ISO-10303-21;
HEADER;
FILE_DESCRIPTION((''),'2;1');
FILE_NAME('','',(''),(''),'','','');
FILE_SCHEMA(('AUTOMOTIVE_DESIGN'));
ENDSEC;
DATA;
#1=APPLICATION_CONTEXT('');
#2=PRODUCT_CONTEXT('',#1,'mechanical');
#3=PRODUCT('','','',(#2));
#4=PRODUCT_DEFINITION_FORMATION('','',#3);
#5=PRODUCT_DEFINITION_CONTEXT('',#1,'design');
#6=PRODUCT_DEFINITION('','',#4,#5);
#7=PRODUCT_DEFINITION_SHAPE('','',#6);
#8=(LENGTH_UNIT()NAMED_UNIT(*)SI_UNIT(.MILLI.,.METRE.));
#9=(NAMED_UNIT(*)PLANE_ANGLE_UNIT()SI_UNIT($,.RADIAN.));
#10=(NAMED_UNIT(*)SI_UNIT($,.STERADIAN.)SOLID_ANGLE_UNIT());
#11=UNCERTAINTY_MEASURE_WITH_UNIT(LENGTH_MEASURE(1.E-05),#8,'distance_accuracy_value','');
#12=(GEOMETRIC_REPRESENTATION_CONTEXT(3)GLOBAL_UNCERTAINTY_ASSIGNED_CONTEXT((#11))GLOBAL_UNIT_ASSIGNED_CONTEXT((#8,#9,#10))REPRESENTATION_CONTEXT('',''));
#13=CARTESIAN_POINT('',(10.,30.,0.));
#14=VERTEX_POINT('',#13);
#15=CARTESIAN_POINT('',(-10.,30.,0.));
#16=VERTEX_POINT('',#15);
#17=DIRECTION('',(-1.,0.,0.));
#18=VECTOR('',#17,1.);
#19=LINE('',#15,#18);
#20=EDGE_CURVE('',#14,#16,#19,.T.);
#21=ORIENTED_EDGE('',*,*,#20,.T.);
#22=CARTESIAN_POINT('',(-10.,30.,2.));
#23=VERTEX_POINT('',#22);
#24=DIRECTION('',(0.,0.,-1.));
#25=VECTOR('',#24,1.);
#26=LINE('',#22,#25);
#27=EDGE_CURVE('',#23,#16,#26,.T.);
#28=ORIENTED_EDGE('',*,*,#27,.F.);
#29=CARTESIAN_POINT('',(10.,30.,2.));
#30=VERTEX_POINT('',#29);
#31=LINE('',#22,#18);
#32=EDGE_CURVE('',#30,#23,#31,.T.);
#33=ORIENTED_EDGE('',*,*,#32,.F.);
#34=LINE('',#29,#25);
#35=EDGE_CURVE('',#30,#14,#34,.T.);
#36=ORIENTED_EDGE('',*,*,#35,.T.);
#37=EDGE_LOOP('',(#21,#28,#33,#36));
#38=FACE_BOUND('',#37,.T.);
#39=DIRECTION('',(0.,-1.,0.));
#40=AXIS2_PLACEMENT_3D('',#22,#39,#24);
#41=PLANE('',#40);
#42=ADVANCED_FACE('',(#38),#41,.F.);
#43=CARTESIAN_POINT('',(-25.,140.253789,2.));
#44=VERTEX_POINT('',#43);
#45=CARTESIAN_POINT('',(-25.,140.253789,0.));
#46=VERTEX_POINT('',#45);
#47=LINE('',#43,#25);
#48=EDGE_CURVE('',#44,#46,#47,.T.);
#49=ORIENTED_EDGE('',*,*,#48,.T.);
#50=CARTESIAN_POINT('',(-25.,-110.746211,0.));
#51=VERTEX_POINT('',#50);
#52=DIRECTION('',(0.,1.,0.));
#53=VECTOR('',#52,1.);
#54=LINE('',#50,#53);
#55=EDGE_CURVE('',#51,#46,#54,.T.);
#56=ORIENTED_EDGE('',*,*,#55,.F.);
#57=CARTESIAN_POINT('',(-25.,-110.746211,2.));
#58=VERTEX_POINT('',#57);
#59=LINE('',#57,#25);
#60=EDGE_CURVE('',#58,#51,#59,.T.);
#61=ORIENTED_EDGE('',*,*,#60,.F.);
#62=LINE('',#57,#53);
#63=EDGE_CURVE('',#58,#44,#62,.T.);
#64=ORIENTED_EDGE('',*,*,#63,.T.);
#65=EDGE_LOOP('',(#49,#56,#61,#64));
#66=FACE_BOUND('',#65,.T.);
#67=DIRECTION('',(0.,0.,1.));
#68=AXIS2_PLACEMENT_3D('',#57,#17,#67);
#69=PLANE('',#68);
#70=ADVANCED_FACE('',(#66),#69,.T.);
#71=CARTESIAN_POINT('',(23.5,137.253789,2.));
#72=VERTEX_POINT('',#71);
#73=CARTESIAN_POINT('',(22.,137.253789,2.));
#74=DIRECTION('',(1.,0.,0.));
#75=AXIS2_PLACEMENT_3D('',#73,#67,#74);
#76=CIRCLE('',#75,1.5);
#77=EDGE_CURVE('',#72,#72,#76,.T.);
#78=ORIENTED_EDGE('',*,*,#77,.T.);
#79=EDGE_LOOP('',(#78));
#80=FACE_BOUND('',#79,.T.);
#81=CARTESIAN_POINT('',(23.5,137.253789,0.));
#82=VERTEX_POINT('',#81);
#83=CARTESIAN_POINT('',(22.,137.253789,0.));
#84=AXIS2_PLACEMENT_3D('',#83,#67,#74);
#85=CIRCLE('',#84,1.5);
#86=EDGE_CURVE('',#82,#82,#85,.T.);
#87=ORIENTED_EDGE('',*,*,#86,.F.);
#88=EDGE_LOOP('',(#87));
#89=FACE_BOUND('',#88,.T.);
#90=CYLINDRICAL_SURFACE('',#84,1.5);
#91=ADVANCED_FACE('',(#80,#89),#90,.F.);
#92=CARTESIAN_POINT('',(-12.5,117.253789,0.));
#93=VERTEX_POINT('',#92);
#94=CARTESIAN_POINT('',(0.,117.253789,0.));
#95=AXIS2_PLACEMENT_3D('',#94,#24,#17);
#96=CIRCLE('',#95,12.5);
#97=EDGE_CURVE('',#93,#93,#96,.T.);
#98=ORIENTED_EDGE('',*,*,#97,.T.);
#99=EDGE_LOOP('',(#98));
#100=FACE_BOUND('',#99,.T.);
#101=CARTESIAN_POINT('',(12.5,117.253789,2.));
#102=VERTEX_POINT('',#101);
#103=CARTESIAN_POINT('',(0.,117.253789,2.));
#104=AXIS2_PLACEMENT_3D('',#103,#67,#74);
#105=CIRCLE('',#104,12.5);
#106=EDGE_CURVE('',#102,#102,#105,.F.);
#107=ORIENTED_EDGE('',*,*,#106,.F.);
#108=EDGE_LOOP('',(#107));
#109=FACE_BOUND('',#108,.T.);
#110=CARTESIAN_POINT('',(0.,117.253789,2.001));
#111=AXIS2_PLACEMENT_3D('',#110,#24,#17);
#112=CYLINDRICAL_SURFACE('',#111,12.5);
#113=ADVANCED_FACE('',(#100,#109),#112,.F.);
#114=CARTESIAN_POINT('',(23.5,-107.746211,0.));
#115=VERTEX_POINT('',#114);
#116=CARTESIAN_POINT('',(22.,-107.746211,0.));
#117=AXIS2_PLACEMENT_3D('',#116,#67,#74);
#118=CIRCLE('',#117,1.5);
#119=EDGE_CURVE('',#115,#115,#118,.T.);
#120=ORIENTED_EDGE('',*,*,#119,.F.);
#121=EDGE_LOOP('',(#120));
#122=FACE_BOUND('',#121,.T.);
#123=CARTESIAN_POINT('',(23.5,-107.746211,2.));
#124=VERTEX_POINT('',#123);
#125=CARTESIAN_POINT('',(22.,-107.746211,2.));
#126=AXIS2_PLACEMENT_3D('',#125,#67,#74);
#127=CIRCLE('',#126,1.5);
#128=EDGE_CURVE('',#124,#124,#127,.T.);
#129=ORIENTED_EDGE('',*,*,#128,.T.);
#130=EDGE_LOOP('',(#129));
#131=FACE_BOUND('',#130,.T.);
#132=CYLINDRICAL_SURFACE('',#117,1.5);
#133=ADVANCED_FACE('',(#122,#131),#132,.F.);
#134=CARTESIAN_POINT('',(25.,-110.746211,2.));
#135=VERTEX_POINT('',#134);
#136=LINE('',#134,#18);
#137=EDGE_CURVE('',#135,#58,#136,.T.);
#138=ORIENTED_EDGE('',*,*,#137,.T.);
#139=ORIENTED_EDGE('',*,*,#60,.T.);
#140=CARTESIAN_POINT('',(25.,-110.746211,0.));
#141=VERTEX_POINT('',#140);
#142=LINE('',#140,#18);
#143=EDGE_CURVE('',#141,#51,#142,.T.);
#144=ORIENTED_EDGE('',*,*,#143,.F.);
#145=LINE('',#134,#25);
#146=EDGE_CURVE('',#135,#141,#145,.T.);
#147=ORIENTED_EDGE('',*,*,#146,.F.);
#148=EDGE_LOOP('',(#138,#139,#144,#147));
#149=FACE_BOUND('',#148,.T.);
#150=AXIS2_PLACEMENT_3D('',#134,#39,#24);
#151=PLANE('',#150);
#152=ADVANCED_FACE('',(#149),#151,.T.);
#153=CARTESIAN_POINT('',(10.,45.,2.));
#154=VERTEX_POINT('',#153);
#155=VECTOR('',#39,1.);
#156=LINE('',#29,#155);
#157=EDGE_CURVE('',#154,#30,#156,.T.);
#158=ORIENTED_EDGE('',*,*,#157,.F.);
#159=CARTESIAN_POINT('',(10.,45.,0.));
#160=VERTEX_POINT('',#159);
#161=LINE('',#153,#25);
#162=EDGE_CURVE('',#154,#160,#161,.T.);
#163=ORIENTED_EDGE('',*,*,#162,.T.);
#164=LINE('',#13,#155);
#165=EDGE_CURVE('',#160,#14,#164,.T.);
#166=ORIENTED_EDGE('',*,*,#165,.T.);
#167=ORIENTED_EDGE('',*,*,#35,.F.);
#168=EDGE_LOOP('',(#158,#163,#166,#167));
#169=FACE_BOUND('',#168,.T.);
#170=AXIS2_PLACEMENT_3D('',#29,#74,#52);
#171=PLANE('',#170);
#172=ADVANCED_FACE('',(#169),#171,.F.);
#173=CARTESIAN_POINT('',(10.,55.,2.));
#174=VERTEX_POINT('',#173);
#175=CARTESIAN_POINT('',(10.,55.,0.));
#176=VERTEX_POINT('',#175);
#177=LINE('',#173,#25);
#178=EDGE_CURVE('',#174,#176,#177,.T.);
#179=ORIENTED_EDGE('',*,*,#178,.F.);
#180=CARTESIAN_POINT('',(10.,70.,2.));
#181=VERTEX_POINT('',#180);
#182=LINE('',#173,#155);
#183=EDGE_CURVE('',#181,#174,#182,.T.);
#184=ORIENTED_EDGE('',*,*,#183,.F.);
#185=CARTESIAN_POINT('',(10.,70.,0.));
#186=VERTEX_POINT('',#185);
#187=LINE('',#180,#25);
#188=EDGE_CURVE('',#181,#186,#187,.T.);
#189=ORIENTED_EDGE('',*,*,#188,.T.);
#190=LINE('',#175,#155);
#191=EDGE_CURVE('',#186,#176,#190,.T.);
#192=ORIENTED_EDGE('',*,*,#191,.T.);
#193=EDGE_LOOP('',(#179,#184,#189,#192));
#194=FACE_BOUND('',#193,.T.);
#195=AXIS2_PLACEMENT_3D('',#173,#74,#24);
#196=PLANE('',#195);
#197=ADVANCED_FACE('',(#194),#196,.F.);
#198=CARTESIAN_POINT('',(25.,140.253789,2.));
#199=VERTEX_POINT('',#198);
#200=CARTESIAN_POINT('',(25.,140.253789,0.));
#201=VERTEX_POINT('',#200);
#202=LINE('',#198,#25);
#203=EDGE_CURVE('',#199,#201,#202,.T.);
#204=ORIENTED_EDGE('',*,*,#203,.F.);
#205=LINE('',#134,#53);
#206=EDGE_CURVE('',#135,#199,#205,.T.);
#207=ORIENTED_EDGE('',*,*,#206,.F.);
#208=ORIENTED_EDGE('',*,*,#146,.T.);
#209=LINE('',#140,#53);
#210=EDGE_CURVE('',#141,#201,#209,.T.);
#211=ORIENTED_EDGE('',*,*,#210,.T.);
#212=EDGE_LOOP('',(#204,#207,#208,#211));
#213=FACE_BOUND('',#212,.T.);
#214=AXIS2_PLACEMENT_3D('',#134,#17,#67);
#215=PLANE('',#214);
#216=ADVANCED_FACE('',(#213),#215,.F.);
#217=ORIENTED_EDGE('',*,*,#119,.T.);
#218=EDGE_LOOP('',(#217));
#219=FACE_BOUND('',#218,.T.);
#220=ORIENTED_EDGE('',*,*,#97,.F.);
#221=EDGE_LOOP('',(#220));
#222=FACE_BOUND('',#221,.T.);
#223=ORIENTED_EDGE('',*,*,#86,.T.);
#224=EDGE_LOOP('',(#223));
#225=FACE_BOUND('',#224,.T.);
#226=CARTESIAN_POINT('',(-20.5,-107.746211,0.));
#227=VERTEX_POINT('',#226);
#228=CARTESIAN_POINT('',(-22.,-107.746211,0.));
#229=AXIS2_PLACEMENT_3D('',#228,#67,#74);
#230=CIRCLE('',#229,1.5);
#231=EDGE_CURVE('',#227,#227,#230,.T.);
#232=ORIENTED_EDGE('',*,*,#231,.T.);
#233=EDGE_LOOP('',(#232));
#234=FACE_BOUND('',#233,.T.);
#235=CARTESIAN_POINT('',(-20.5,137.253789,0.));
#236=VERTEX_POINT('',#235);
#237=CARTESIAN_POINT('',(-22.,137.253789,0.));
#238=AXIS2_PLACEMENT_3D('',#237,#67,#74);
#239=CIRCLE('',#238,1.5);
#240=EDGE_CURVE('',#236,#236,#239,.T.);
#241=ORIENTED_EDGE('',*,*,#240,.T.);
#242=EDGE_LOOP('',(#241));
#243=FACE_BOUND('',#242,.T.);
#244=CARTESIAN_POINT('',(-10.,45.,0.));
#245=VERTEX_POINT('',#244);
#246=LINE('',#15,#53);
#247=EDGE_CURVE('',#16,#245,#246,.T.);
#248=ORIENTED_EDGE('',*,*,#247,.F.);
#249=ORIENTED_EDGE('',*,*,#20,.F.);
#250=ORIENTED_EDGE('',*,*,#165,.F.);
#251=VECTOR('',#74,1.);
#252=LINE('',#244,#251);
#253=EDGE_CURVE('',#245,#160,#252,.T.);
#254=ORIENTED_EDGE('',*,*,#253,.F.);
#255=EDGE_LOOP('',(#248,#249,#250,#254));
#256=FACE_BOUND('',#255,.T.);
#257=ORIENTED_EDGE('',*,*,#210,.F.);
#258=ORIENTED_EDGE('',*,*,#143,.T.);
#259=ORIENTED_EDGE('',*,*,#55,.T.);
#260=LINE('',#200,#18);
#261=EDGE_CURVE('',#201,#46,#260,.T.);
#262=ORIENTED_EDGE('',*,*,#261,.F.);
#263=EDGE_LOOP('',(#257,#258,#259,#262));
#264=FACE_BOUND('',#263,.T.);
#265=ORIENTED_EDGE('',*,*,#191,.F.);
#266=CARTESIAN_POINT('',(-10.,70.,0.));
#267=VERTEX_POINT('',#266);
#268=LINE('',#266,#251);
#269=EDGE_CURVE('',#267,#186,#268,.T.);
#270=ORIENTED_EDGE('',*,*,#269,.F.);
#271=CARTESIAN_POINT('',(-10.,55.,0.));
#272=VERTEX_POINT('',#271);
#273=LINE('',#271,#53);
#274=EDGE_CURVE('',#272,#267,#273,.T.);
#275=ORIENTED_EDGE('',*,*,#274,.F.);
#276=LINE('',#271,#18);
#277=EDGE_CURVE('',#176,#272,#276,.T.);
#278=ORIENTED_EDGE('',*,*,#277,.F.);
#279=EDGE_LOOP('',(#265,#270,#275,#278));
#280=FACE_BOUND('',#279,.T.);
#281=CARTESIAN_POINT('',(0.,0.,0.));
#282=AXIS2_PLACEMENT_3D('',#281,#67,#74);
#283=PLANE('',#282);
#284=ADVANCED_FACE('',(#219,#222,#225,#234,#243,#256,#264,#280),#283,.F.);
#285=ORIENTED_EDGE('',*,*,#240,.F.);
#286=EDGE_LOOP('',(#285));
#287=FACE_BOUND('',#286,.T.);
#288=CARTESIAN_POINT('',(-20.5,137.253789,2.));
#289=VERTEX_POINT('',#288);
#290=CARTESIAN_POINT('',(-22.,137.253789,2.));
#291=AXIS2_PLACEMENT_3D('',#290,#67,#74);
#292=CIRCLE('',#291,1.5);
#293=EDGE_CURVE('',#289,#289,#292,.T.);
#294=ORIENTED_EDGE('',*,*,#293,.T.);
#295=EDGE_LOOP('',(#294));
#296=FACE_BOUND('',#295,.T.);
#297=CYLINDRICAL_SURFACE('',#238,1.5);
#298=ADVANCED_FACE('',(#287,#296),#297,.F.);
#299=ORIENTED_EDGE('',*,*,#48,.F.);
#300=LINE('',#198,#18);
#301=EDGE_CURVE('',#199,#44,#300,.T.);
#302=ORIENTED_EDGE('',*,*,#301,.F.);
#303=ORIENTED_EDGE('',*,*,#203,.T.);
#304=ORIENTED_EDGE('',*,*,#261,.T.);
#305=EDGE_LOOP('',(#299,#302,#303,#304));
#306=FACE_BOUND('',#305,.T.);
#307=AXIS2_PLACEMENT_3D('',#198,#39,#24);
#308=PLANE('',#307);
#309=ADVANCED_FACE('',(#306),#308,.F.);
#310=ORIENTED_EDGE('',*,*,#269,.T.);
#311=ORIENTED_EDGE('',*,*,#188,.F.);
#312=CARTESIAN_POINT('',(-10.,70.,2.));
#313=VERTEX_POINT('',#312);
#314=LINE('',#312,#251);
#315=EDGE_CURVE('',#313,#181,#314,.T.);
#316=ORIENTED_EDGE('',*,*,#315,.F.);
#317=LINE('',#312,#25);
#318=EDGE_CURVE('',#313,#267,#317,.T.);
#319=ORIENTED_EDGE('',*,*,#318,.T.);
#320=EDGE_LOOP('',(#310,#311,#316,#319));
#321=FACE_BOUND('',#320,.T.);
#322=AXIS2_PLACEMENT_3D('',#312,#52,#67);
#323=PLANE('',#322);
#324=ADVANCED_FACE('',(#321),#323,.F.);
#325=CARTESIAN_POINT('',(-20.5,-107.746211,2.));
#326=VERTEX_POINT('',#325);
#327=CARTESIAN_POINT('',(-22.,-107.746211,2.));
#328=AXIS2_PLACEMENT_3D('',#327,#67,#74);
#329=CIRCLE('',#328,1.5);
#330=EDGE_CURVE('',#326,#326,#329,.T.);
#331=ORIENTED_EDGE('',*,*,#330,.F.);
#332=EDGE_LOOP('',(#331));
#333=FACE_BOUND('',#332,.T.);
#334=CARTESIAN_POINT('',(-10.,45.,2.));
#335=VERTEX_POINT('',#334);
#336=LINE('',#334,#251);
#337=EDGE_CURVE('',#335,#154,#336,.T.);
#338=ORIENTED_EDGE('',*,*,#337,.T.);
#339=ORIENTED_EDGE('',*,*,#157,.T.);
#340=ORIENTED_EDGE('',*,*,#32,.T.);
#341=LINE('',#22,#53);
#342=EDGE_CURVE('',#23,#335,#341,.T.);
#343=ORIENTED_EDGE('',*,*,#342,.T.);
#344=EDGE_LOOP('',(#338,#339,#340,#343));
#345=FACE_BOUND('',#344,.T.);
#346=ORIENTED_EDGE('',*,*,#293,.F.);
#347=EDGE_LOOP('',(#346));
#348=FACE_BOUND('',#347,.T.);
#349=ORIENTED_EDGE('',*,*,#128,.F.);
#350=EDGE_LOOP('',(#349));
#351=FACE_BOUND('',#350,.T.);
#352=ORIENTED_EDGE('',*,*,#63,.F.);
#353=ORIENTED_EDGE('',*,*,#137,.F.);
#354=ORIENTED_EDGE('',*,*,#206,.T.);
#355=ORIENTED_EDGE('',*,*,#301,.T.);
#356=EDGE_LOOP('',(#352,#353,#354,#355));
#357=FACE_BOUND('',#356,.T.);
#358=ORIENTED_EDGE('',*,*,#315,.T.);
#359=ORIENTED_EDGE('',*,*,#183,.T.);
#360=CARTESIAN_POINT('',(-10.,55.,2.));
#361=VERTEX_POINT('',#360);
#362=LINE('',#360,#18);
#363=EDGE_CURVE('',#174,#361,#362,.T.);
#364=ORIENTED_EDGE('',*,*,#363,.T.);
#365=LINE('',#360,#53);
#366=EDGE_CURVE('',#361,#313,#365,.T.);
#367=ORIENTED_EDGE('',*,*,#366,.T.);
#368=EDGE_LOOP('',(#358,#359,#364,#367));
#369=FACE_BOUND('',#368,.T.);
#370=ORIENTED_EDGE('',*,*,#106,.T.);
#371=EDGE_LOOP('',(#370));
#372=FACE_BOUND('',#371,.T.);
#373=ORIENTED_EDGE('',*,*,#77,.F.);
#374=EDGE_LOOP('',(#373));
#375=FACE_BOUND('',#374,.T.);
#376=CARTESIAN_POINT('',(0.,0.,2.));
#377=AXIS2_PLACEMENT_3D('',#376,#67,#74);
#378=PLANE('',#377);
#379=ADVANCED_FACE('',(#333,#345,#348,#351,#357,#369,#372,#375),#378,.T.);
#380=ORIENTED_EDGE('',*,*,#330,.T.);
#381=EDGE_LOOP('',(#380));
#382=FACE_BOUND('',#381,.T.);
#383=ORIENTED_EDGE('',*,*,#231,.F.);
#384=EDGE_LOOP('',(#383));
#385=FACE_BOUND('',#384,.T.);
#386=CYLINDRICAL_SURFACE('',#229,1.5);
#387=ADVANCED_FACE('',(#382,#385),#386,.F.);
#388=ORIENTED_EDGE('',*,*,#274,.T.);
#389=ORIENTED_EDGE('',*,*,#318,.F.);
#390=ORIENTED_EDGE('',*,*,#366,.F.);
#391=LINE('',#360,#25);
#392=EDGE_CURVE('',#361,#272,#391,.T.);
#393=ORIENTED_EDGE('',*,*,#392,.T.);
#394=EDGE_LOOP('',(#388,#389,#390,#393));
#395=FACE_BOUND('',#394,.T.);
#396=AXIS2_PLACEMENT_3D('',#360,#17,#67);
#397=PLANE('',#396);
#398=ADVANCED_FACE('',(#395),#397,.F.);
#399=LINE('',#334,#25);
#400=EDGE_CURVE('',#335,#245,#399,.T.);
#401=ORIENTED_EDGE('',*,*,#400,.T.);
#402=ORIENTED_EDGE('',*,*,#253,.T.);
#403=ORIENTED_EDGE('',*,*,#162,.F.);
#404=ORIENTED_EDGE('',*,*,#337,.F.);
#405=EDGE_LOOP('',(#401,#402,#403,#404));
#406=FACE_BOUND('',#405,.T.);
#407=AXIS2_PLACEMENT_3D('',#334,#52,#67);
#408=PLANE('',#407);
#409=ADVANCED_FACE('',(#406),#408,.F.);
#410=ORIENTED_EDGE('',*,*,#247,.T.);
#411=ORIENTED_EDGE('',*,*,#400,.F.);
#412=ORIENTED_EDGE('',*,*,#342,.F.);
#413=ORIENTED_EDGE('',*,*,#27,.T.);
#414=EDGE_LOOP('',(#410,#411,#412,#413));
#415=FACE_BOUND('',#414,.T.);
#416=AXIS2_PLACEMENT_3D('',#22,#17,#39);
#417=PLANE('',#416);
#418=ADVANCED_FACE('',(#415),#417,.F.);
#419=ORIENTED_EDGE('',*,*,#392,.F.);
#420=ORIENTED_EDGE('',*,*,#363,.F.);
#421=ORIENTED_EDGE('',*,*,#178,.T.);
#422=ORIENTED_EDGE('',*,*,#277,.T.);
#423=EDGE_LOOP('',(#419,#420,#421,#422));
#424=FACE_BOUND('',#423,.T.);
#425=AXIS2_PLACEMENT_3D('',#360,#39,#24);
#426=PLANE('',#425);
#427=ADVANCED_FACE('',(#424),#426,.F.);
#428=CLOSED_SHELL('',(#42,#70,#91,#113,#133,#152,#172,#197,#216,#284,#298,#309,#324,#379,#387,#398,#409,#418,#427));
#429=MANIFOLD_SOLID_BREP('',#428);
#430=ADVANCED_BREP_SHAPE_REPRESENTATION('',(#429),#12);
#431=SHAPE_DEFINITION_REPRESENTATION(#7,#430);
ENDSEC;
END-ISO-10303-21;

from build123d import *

# Parameters (mm, degrees)
SKETCH1_W           = 50
SKETCH1_H           = 251
BOSS_EXTRUDE1_DEPTH = 2
CUT_EXTRUDE1_REACH  = 130.472
SKETCH2_R           = 12.5
SKETCH6_R           = 1.5
CUT_EXTRUDE5_DEPTH  = 2
SKETCH8_W           = 20
SKETCH8_H           = 15
CUT_EXTRUDE6_DEPTH  = 2


with BuildPart() as part:
    # Sketch1 → Boss-Extrude1 (new body)
    with BuildSketch(Plane(origin=(0, 15.253788563, 0), x_dir=(1, 0, 0), z_dir=(0, 0, 1))):
        with Locations((0, -0.5)):
            Rectangle(SKETCH1_W, SKETCH1_H)
    extrude(amount=BOSS_EXTRUDE1_DEPTH)

    # Sketch2 → Cut-Extrude1 (cut, up to next)
    with BuildSketch(Plane(origin=(0, 15.253788563, 0), x_dir=(-1, 0, 0), z_dir=(0, 0, -1)), mode=Mode.PRIVATE) as cut_extrude1_sk1:
        with Locations((0, 102)):
            Circle(SKETCH2_R)
    cut_extrude1_tool1 = extrude(cut_extrude1_sk1.sketch, amount=-CUT_EXTRUDE1_REACH, mode=Mode.PRIVATE) & part.part
    add(cut_extrude1_tool1.solids().sort_by_distance((0, 117.253789, 0))[0], mode=Mode.SUBTRACT)

    # Sketch6 → Cut-Extrude5 (cut)
    with BuildSketch(Plane(origin=(0, 15.253788563, 2), x_dir=(1, 0, 0), z_dir=(0, 0, 1))):
        with Locations((-22, 122)):
            Circle(SKETCH6_R)
        with Locations((22, 122)):
            Circle(SKETCH6_R)
        with Locations((-22, -123)):
            Circle(SKETCH6_R)
        with Locations((22, -123)):
            Circle(SKETCH6_R)
    extrude(amount=-CUT_EXTRUDE5_DEPTH, mode=Mode.SUBTRACT)

    # Sketch8 → Cut-Extrude6 (cut)
    with BuildSketch(Plane(origin=(0, 0, 0), x_dir=(-1, 0, 0), z_dir=(0, 0, -1))):
        with Locations((0, 62.5)):
            Rectangle(SKETCH8_W, SKETCH8_H)
        with Locations((0, 37.5)):
            Rectangle(SKETCH8_W, SKETCH8_H)
    extrude(amount=-CUT_EXTRUDE6_DEPTH, mode=Mode.SUBTRACT)


solid = part.part
